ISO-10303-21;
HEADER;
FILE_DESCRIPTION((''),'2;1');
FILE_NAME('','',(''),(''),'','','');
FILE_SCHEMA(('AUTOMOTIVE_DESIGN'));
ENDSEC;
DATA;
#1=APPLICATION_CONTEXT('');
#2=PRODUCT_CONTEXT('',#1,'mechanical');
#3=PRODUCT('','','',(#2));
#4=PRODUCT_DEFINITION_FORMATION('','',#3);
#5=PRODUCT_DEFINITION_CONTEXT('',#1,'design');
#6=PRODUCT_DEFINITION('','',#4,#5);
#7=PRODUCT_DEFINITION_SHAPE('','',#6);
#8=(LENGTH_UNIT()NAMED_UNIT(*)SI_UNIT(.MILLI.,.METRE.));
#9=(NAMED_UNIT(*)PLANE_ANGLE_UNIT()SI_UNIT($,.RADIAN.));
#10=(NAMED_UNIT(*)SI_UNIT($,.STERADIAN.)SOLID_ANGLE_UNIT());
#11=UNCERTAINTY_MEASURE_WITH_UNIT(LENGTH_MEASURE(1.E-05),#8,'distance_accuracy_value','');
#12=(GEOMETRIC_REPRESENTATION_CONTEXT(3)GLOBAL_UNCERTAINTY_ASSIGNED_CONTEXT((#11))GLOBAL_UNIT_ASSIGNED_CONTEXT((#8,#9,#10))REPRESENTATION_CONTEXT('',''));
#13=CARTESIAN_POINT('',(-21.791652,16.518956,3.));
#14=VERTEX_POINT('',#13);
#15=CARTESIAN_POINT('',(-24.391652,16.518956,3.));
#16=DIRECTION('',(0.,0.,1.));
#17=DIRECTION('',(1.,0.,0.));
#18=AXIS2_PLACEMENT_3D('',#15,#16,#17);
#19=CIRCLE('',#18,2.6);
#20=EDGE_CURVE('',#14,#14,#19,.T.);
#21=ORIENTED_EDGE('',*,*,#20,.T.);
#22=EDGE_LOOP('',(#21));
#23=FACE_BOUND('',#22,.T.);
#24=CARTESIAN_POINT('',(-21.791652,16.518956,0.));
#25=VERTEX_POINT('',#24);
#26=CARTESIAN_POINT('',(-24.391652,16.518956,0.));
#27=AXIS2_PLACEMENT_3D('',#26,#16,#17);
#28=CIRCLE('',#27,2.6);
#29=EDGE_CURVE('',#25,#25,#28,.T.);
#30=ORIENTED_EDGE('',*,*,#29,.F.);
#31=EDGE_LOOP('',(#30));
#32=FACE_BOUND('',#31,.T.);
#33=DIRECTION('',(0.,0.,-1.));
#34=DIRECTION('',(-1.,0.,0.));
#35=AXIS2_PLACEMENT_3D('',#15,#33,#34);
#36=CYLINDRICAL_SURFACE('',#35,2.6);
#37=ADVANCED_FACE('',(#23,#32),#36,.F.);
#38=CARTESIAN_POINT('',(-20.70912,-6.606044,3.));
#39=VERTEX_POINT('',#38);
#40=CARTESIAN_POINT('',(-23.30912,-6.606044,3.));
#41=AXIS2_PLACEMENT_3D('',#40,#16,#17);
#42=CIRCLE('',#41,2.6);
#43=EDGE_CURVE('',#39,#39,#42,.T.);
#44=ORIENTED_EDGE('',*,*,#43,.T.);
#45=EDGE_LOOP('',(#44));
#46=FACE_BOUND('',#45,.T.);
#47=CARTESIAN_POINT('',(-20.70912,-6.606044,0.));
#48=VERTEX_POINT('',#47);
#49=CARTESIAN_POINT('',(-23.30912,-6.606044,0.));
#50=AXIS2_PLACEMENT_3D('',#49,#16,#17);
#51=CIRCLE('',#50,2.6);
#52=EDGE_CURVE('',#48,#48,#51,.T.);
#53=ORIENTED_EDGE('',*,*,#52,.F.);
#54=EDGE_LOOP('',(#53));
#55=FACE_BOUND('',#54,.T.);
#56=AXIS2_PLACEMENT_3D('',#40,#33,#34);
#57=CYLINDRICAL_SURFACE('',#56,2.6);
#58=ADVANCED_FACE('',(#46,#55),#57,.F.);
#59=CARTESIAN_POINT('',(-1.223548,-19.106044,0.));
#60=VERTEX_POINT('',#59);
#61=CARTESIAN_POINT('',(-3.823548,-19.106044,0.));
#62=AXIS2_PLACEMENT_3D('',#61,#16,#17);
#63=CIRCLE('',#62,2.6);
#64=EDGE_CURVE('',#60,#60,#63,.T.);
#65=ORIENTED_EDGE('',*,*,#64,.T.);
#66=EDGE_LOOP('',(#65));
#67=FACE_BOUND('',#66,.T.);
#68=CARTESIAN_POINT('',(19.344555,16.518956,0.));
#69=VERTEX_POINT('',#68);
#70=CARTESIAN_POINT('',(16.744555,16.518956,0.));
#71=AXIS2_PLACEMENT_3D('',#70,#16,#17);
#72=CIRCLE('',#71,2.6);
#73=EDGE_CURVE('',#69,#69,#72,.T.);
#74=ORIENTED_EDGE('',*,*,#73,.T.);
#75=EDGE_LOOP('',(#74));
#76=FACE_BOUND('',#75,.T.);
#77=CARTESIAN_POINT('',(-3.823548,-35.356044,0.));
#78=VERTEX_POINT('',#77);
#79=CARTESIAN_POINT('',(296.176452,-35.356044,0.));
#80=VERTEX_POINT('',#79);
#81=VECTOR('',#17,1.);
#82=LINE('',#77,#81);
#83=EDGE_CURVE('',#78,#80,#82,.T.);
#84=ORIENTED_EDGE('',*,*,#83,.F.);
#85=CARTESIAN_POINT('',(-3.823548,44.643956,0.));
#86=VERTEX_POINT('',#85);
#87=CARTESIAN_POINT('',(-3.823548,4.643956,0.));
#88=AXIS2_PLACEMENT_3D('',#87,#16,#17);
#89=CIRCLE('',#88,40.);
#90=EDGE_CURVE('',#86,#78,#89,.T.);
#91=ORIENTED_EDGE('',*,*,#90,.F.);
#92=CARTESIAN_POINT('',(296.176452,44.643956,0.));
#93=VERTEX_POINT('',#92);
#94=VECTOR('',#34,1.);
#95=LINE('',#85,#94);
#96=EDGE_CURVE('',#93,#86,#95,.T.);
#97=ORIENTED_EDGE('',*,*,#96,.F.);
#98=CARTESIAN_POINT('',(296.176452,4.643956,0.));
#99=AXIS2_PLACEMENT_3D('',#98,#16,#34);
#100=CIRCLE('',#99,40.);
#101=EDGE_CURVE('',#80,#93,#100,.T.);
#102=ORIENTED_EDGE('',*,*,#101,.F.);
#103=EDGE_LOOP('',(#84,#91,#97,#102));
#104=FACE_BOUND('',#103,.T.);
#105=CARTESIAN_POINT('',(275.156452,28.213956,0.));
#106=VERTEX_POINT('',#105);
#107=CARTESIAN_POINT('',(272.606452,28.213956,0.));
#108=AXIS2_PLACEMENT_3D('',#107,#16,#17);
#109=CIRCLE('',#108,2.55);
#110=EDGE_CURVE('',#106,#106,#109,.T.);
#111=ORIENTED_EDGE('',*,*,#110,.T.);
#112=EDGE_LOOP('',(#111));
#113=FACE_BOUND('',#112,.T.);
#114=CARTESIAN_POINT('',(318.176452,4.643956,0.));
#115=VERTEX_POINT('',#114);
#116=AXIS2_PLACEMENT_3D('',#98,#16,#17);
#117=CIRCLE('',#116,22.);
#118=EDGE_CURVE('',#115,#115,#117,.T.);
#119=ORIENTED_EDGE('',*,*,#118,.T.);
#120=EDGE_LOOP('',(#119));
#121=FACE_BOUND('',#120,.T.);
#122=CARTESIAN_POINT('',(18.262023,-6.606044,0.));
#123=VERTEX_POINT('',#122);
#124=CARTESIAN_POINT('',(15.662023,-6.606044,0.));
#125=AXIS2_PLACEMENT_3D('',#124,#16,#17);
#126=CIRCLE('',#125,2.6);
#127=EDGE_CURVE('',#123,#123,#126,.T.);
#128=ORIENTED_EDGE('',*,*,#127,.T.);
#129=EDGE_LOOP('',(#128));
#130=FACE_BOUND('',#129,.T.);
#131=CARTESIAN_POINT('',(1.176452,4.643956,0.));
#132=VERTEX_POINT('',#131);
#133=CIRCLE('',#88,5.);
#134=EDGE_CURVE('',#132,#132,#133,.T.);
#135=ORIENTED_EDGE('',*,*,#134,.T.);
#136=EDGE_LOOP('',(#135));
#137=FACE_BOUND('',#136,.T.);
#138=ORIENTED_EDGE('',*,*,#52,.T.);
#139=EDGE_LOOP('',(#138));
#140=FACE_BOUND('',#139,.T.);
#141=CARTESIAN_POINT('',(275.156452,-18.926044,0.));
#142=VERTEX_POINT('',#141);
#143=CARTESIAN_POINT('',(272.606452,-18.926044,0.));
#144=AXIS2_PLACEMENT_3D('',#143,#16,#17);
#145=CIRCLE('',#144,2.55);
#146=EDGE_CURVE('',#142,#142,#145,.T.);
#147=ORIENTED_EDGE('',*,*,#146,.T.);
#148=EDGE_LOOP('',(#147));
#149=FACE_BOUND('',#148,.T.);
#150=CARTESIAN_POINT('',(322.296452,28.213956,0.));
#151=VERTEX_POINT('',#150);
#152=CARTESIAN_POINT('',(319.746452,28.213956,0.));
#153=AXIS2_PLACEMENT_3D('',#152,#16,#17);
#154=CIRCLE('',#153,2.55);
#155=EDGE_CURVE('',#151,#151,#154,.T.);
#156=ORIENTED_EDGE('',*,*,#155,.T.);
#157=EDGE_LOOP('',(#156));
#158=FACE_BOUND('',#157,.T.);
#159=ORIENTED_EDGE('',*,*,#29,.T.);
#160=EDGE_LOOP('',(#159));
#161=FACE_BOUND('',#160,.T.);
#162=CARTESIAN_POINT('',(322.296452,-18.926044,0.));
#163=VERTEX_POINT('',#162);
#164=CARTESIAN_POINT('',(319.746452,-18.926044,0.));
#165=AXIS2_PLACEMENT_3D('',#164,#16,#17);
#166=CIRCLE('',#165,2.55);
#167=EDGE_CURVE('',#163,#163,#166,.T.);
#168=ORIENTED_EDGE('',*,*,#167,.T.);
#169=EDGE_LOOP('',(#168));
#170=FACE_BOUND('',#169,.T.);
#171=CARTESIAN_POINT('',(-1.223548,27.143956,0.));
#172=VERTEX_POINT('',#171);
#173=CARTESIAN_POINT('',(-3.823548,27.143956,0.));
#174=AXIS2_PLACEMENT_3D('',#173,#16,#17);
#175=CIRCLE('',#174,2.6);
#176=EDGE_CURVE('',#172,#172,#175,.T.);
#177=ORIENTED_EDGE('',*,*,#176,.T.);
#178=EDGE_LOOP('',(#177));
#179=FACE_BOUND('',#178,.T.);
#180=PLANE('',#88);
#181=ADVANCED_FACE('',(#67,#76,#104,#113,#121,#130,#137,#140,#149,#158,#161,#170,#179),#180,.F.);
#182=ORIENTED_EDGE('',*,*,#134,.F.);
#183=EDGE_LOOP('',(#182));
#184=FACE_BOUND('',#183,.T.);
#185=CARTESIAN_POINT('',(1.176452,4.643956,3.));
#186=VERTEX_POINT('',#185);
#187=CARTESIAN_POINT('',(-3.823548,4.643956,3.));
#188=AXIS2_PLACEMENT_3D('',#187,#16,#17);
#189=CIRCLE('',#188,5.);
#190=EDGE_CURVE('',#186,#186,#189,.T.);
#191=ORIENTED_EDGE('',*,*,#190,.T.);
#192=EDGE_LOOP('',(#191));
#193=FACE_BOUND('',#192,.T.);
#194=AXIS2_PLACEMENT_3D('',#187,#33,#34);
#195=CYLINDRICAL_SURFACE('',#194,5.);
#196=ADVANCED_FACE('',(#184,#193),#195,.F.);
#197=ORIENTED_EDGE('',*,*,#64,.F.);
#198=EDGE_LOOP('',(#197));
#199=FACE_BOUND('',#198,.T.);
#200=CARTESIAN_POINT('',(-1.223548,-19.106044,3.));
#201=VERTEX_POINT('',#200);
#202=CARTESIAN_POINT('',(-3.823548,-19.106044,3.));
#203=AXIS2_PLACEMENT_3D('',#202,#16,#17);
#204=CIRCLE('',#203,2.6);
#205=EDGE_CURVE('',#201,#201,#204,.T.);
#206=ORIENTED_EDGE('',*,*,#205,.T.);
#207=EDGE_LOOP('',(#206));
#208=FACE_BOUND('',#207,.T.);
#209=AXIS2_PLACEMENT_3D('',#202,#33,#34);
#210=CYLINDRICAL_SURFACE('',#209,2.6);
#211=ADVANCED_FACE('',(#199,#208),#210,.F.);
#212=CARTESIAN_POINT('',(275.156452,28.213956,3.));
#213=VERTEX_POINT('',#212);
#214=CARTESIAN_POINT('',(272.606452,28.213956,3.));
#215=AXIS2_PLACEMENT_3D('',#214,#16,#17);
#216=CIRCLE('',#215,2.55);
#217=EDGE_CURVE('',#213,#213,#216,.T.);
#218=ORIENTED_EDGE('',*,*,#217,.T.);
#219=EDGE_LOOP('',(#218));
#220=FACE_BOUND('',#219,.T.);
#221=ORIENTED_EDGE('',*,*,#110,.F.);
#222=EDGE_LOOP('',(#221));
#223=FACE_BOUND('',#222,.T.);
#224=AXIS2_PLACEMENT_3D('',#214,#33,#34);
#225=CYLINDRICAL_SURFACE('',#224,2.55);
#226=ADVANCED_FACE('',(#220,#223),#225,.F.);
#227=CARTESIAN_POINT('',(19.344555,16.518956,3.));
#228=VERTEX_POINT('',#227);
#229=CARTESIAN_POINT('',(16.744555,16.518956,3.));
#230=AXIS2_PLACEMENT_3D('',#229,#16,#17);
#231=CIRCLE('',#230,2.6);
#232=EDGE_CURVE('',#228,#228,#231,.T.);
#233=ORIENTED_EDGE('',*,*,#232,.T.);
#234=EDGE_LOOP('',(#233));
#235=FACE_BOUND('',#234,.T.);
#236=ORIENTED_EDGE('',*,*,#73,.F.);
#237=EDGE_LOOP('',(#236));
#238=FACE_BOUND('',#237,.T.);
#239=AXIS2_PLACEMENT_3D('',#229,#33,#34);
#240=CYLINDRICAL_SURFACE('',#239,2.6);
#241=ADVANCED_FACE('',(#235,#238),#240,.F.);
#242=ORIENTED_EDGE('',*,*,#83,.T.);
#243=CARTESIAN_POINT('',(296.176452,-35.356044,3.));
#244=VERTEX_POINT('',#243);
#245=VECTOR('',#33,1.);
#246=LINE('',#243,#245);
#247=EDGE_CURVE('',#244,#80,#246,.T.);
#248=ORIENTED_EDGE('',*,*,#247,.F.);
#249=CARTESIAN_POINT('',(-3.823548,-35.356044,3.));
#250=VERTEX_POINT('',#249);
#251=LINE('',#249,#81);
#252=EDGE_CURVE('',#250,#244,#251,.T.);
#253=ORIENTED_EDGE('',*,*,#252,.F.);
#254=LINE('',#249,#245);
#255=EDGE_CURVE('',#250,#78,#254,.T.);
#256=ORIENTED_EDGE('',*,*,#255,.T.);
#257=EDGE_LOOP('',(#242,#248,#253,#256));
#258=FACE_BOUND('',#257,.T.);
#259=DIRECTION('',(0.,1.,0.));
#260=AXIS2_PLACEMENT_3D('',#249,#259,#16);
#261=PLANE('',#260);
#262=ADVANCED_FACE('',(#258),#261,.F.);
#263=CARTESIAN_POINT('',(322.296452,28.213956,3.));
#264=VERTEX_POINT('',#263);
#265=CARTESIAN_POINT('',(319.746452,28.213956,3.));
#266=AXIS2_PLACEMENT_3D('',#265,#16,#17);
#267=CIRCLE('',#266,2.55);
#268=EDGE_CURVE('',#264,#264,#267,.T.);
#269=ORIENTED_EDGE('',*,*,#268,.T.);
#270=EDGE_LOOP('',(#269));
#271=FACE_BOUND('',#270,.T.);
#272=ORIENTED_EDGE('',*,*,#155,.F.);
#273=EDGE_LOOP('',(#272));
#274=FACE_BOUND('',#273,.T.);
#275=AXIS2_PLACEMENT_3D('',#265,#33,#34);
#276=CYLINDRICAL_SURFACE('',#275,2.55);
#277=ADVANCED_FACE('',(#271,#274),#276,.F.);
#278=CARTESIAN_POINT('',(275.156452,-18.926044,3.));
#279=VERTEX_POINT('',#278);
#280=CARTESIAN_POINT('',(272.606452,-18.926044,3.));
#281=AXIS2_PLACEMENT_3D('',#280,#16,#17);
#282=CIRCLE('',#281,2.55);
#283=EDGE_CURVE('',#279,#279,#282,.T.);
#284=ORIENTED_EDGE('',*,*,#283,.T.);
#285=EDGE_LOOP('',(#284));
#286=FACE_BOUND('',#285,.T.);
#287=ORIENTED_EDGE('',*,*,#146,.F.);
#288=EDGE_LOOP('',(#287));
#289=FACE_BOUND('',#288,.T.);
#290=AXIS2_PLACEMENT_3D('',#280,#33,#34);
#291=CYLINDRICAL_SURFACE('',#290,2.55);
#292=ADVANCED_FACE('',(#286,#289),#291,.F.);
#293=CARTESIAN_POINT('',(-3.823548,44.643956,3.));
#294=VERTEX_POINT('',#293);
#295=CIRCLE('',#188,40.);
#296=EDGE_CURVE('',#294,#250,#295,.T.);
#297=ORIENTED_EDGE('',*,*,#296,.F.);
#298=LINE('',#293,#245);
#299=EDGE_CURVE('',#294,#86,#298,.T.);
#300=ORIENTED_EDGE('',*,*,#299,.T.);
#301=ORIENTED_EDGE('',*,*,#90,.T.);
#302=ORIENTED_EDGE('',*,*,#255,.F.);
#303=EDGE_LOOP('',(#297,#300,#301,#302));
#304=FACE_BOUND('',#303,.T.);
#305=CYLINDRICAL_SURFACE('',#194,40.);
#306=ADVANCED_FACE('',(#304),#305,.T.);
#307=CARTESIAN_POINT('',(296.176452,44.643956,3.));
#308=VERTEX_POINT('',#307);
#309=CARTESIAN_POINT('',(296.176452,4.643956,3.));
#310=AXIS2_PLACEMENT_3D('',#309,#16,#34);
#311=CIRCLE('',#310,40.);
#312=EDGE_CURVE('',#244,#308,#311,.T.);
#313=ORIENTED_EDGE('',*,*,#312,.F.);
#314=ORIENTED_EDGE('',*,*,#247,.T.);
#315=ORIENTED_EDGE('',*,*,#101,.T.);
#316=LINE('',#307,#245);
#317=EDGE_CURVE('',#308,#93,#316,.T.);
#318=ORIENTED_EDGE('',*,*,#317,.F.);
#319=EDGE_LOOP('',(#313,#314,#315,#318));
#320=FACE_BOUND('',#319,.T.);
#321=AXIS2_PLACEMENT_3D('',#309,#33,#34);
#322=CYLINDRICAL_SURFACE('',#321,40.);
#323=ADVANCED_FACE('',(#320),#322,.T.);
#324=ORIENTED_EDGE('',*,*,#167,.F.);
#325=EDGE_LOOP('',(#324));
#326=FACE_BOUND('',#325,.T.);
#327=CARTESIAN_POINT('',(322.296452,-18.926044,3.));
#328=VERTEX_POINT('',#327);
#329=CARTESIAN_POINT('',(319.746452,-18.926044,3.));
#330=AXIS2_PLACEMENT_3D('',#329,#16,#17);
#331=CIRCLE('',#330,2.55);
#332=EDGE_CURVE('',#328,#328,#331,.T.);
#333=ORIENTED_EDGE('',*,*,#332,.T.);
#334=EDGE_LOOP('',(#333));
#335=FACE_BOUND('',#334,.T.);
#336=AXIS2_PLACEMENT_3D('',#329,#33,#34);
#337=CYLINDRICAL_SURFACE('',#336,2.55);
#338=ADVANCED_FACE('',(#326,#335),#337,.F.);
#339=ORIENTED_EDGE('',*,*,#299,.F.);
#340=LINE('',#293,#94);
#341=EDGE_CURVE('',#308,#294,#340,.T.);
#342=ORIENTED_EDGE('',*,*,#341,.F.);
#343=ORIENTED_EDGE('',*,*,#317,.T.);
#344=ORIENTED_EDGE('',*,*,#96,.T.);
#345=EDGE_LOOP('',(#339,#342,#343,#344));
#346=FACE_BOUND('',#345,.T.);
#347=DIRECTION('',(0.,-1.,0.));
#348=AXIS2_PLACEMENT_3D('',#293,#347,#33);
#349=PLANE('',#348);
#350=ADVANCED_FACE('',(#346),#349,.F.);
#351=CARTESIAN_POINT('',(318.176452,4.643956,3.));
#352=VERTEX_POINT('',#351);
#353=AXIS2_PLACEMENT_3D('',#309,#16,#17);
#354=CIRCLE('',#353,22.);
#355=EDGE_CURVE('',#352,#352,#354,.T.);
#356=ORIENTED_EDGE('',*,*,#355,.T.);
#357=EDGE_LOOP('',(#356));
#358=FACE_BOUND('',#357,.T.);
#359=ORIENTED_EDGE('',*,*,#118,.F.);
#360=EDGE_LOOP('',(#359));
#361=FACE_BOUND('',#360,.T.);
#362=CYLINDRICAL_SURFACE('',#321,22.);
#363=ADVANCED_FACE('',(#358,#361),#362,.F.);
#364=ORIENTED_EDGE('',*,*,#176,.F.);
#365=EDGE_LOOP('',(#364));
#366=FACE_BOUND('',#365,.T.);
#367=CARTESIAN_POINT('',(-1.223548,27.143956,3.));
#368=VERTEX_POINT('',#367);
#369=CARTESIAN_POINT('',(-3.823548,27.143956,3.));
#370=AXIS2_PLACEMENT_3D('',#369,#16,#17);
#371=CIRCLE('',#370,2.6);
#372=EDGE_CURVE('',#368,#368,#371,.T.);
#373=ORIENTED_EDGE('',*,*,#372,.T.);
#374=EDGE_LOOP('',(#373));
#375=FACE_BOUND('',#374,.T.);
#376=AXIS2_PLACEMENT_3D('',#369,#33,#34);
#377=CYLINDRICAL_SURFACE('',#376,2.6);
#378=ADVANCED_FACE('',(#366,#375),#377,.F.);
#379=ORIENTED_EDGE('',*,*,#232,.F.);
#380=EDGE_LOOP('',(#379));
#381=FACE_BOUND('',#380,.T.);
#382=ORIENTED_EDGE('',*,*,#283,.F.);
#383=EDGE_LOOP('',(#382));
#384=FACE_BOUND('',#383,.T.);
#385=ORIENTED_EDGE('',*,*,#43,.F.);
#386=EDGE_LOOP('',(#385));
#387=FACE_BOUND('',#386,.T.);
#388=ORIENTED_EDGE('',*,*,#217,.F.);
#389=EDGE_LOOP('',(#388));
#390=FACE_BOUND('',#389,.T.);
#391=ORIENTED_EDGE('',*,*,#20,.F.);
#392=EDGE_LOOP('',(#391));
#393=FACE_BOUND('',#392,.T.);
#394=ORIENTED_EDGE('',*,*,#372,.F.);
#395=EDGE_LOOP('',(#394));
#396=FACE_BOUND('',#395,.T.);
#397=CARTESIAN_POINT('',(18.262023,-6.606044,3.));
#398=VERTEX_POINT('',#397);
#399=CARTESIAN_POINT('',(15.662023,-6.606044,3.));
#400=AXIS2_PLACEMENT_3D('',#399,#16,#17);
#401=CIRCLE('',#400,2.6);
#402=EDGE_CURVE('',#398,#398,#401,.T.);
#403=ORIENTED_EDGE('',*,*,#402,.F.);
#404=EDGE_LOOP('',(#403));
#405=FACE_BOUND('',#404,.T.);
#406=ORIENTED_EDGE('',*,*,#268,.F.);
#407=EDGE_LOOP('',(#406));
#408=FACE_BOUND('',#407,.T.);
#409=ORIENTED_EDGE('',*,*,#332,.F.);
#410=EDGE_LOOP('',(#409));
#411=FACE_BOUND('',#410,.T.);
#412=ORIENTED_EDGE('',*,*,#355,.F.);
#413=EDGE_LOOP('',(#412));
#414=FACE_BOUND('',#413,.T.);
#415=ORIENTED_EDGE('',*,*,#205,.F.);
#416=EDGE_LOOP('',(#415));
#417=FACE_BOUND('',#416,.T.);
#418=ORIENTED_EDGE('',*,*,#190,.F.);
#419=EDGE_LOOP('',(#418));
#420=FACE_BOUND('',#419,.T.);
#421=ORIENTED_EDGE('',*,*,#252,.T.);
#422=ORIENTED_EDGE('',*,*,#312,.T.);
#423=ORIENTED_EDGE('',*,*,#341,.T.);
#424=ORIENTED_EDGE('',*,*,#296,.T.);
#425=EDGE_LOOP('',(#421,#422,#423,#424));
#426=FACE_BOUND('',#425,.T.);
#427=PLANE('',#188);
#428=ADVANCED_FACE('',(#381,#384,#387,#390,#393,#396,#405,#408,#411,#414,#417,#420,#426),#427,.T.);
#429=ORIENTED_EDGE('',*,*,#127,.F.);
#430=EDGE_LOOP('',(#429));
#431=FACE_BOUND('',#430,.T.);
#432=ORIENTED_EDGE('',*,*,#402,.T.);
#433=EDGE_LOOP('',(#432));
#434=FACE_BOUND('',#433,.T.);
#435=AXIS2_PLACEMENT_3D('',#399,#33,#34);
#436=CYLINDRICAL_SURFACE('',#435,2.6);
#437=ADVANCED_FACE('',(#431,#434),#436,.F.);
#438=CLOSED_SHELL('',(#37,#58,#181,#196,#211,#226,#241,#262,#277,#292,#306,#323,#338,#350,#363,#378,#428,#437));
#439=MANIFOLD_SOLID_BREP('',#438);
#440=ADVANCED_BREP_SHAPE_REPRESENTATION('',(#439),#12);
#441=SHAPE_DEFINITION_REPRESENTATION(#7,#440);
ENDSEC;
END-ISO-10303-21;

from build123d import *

# Parameters (mm, degrees)
SKETCH_1_R      = 2.6
SKETCH_1_R_2    = 5
SKETCH_1_R_3    = 22
SKETCH_1_R_4    = 2.55
EXTRUDE_1_DEPTH = 3


with BuildPart() as part:
    # 草图1 → 凸台-拉伸1 (new body)
    with BuildSketch(Plane.XY):
        with BuildLine():
            Line((-3.823548363, 44.643956065), (296.176451637, 44.643956065))
            ThreePointArc((296.176451637, 44.643956065), (336.176451637, 4.643956065), (296.176451637, -35.356043935))
            Line((296.176451637, -35.356043935), (-3.823548363, -35.356043935))
            ThreePointArc((-3.823548363, -35.356043935), (-43.823548363, 4.643956065), (-3.823548363, 44.643956065))
        make_face()
        with Locations((-3.823548363, -19.106043935)):
            Circle(SKETCH_1_R, mode=Mode.SUBTRACT)
        with Locations((15.662023222, -6.606043935)):
            Circle(SKETCH_1_R, mode=Mode.SUBTRACT)
        with Locations((-3.823548363, 4.643956065)):
            Circle(SKETCH_1_R_2, mode=Mode.SUBTRACT)
        with Locations((296.176451637, 4.643956065)):
            Circle(SKETCH_1_R_3, mode=Mode.SUBTRACT)
        with Locations((272.606451637, 28.213956065)):
            Circle(SKETCH_1_R_4, mode=Mode.SUBTRACT)
        with Locations((319.746451637, 28.213956065)):
            Circle(SKETCH_1_R_4, mode=Mode.SUBTRACT)
        with Locations((319.746451637, -18.926043935)):
            Circle(SKETCH_1_R_4, mode=Mode.SUBTRACT)
        with Locations((272.606451637, -18.926043935)):
            Circle(SKETCH_1_R_4, mode=Mode.SUBTRACT)
        with Locations((-24.391651703, 16.518956065)):
            Circle(SKETCH_1_R, mode=Mode.SUBTRACT)
        with Locations((16.744554977, 16.518956065)):
            Circle(SKETCH_1_R, mode=Mode.SUBTRACT)
        with Locations((-23.309119948, -6.606043935)):
            Circle(SKETCH_1_R, mode=Mode.SUBTRACT)
        with Locations((-3.823548363, 27.143956065)):
            Circle(SKETCH_1_R, mode=Mode.SUBTRACT)
    extrude(amount=EXTRUDE_1_DEPTH)


solid = part.part
